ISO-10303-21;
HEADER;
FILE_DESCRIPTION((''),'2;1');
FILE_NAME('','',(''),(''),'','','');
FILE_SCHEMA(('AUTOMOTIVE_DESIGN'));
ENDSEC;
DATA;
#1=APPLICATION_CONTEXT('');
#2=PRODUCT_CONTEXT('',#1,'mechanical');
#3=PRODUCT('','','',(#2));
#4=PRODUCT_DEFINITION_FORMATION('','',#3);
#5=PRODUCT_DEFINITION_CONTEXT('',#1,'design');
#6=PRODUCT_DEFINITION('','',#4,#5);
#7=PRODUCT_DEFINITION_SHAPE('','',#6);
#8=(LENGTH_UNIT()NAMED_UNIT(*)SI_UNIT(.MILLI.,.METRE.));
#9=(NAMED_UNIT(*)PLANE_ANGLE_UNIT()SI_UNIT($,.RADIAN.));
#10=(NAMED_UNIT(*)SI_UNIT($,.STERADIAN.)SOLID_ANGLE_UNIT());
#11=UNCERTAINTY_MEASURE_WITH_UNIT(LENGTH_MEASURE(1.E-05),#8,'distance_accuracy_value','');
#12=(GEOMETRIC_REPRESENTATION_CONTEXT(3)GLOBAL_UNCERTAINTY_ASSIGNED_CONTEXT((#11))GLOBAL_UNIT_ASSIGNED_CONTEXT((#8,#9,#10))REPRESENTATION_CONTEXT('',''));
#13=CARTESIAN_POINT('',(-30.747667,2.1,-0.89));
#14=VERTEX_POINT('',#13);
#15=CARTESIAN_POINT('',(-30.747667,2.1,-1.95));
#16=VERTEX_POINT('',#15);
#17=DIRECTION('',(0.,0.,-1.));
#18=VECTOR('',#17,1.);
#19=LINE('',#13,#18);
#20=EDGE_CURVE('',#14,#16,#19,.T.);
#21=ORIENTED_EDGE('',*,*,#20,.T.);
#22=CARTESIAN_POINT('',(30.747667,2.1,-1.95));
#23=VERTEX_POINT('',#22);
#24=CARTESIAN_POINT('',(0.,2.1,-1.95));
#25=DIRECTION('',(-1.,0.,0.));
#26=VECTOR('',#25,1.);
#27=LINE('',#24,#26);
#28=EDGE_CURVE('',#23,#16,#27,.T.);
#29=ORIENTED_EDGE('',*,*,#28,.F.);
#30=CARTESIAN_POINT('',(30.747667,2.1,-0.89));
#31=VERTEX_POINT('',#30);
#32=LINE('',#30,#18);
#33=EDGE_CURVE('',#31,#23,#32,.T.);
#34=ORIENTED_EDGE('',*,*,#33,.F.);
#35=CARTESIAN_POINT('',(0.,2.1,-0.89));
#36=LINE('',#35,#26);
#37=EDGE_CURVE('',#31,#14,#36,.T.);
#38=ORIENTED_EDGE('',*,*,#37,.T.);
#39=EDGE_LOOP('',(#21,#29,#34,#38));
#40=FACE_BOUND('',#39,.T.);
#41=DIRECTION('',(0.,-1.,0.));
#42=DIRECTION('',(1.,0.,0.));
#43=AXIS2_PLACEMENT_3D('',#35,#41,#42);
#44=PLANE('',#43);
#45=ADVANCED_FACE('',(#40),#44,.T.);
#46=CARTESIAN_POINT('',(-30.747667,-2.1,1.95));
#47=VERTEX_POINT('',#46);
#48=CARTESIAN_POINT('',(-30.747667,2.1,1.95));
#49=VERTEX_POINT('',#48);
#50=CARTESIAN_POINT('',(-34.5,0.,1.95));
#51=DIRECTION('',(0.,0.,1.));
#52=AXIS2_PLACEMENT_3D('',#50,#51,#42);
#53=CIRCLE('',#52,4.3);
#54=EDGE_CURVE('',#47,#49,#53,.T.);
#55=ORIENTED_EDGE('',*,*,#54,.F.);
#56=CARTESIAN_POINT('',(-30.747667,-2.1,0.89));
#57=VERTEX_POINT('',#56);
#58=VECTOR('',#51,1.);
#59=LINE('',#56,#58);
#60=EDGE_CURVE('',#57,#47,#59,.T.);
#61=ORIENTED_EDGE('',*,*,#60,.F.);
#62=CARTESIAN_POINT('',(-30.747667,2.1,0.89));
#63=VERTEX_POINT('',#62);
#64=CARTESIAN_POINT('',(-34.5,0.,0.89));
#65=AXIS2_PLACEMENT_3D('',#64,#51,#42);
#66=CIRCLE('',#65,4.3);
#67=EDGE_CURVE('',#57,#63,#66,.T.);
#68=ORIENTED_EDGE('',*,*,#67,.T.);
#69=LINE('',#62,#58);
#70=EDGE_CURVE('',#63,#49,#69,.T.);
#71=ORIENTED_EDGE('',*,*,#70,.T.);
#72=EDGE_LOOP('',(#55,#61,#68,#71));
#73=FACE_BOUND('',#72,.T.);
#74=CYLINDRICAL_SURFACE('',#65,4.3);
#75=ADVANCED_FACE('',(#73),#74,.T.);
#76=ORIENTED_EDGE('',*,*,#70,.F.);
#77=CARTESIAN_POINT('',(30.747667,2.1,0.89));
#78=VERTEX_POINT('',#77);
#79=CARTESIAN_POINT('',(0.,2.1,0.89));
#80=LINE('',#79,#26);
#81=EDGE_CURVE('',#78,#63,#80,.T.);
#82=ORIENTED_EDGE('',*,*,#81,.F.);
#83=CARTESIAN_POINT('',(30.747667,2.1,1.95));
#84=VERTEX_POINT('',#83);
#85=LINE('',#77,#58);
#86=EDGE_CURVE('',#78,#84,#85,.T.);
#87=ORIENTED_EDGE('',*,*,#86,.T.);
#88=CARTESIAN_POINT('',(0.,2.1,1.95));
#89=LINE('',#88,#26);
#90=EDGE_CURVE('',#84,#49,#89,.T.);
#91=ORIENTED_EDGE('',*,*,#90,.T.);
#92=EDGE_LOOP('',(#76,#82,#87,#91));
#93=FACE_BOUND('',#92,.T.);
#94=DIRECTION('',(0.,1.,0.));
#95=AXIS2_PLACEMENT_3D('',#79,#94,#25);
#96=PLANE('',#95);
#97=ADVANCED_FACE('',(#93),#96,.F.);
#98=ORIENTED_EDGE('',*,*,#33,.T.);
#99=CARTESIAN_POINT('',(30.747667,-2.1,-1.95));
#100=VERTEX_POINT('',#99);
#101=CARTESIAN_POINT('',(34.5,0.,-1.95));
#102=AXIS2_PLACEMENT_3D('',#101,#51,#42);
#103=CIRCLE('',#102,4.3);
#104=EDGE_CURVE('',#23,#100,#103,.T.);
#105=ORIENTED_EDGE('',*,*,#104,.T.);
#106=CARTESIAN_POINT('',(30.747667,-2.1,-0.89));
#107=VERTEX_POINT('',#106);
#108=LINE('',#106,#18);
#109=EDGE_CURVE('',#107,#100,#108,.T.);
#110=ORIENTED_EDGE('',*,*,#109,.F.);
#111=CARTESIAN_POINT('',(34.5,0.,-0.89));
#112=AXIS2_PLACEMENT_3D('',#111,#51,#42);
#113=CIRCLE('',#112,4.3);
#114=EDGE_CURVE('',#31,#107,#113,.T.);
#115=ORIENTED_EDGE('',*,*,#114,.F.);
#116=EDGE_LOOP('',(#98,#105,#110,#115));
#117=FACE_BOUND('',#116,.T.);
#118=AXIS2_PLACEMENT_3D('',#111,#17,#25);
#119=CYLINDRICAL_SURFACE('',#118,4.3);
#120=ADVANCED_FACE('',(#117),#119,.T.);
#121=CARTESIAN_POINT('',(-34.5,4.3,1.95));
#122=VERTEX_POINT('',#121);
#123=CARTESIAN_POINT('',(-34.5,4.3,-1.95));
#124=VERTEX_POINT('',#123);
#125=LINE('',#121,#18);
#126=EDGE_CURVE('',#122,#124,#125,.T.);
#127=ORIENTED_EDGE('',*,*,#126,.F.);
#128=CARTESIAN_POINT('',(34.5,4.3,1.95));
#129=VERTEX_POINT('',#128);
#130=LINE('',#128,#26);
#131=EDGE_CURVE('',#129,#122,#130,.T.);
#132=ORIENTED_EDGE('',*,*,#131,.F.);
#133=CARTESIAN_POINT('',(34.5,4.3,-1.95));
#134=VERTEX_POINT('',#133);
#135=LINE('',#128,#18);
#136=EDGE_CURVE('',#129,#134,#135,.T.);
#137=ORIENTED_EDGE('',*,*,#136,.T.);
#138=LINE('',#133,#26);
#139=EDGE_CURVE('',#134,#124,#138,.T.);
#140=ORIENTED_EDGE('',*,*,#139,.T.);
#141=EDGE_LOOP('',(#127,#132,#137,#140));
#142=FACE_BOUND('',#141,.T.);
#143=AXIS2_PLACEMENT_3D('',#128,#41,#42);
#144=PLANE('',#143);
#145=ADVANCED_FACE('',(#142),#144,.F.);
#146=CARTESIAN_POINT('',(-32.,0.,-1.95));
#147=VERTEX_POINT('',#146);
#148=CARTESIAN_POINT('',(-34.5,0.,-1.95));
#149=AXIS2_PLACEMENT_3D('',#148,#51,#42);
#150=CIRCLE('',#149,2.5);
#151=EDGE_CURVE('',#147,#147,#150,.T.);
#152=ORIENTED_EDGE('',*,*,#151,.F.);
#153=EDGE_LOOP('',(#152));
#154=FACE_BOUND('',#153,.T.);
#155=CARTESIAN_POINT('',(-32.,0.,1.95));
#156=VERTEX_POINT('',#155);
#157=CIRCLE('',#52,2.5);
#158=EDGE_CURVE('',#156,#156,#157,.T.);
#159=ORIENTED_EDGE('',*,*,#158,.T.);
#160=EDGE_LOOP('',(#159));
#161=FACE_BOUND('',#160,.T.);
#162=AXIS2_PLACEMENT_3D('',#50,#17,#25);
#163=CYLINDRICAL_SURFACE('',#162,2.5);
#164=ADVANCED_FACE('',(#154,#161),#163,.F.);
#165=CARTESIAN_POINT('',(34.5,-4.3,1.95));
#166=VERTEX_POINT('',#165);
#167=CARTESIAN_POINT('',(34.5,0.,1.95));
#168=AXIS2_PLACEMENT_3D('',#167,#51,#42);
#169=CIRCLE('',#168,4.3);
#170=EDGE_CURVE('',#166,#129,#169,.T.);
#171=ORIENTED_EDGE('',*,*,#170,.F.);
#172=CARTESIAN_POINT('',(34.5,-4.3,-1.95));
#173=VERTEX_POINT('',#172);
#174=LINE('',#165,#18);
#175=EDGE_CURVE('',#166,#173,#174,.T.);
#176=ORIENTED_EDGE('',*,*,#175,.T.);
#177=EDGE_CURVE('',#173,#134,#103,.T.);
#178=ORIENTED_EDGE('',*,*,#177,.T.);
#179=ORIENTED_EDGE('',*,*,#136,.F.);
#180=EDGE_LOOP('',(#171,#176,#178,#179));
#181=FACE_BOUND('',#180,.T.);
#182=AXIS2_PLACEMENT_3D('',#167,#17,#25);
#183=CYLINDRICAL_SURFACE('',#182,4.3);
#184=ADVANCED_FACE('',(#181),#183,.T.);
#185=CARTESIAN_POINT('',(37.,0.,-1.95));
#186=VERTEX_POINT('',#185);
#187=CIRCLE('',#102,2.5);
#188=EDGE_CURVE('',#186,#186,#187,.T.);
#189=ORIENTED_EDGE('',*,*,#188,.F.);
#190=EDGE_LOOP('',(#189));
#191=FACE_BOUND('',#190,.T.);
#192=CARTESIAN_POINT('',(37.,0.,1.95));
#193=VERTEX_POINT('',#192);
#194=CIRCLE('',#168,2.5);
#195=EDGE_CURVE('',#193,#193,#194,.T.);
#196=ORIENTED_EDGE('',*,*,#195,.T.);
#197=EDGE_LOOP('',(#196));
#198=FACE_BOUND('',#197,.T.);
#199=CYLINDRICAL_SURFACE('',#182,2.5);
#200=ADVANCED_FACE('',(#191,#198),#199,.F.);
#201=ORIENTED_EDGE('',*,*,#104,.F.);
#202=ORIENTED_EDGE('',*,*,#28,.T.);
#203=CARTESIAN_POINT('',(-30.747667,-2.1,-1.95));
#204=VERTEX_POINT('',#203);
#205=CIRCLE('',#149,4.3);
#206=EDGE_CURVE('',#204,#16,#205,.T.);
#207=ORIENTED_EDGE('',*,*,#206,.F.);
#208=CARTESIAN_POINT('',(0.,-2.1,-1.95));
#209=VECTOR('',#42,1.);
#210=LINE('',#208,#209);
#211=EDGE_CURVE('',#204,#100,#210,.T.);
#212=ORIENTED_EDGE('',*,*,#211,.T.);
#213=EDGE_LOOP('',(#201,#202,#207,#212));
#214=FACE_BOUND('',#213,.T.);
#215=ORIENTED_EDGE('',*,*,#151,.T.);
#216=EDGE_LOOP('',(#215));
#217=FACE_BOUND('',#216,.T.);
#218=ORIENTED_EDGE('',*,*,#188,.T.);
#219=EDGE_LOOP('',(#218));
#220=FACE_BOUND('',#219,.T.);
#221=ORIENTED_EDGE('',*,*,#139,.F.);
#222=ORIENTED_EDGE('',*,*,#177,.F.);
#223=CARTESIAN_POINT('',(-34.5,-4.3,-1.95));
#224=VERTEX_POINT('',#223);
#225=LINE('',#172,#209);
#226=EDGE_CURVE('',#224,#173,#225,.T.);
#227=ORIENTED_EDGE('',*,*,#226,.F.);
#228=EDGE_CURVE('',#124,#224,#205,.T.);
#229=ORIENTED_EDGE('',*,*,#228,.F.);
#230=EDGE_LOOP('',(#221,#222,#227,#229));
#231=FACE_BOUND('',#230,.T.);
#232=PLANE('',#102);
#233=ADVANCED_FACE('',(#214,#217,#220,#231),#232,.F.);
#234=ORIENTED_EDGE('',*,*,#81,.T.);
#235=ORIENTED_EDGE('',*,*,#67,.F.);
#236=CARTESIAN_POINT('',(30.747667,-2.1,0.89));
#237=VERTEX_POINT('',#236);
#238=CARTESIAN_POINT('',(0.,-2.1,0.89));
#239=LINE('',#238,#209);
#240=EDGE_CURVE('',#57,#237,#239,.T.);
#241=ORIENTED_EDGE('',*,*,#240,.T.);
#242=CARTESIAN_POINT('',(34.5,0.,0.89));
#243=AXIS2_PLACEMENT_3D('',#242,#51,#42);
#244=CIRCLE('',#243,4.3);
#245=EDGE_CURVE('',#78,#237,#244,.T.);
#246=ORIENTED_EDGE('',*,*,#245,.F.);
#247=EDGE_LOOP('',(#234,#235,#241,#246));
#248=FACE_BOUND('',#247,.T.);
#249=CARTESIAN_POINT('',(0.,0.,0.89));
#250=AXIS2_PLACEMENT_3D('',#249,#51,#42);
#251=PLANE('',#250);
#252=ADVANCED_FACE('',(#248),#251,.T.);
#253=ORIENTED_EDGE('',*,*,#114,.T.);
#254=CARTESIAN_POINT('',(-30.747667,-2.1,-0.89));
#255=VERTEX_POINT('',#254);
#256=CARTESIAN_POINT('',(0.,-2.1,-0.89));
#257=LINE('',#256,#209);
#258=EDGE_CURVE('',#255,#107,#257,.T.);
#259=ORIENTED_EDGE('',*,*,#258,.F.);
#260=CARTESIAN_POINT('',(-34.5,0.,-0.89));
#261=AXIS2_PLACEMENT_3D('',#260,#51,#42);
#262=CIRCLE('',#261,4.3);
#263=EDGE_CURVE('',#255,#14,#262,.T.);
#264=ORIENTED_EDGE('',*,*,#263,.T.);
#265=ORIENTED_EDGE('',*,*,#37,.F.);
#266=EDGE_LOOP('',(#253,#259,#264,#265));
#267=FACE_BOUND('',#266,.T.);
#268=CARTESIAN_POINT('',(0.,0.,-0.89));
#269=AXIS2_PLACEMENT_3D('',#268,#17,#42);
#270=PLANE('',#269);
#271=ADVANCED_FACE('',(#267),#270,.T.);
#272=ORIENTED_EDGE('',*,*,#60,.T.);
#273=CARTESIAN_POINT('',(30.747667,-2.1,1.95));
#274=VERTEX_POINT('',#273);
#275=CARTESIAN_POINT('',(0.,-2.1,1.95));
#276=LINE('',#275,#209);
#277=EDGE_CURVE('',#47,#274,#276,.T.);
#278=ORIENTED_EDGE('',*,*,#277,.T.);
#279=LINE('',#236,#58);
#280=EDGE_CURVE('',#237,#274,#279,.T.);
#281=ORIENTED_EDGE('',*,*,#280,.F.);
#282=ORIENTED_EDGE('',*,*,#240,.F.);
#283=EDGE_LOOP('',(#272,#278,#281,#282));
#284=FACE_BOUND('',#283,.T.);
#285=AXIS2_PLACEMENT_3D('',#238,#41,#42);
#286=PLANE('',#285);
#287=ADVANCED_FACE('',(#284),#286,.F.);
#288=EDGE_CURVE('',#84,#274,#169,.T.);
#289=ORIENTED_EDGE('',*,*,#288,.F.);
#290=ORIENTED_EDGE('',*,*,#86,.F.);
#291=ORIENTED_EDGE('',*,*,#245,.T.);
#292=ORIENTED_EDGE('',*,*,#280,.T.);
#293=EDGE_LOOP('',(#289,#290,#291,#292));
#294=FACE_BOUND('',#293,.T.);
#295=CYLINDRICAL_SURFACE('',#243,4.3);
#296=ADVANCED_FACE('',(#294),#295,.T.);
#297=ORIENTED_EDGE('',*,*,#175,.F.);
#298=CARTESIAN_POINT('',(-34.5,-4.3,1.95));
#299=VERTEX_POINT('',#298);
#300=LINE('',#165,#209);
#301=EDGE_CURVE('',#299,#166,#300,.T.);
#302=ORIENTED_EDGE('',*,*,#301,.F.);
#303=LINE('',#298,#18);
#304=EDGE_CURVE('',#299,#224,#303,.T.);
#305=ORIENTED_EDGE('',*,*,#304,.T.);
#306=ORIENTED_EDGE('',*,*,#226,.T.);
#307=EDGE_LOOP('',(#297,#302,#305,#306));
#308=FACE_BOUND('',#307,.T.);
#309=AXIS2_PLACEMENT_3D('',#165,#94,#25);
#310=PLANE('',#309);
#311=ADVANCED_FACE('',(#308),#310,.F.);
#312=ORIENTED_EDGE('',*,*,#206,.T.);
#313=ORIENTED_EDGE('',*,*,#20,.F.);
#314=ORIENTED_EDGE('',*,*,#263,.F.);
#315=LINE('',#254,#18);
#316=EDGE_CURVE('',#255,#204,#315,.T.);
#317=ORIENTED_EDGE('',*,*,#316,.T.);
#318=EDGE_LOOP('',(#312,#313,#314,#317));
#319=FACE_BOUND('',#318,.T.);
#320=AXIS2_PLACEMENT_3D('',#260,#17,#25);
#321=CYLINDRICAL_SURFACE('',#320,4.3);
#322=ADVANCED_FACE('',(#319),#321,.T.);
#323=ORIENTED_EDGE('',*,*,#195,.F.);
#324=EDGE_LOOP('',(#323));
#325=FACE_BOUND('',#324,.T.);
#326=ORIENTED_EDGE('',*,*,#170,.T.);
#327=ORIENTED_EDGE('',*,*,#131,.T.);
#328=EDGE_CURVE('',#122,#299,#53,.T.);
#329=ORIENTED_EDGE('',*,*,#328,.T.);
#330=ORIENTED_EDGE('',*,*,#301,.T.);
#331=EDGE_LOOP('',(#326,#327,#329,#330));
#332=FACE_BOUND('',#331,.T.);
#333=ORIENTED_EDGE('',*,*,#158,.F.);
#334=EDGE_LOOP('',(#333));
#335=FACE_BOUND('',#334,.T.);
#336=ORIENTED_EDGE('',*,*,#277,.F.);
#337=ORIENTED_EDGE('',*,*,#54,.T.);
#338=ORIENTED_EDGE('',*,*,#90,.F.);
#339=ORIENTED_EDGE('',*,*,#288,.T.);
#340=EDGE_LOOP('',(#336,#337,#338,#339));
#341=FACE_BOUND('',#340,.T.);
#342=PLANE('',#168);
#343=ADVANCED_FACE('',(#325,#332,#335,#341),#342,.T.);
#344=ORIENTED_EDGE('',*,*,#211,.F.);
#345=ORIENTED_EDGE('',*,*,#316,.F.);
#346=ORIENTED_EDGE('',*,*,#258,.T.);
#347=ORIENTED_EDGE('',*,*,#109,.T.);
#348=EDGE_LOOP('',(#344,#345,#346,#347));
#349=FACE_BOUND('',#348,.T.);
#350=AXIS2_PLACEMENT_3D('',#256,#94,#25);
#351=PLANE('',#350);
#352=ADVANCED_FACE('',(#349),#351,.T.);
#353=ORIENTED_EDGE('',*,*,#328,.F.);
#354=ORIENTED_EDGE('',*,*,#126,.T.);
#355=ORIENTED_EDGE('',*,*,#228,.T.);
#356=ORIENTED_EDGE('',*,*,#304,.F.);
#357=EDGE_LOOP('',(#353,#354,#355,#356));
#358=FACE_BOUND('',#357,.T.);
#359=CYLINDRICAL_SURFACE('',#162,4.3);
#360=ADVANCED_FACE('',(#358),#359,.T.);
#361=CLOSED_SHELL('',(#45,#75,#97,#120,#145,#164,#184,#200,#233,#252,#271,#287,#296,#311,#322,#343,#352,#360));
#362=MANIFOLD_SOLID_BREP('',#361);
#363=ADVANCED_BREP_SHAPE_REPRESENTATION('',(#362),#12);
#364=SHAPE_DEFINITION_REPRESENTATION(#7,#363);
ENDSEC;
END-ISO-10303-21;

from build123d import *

# Parameters (mm, degrees)
SKETCH1_R           = 2.5
BOSS_EXTRUDE1_DEPTH = 1.95
CUT_EXTRUDE1_DEPTH  = 1.06


with BuildPart() as part:
    # Sketch1 → Boss-Extrude1 (new, symmetric)
    with BuildSketch(Plane.XY):
        with BuildLine():
            Line((34.5, -4.3), (-34.5, -4.3))
            ThreePointArc((-34.5, -4.3), (-38.8, 0), (-34.5, 4.3))
            Line((-34.5, 4.3), (34.5, 4.3))
            ThreePointArc((34.5, 4.3), (38.8, 0), (34.5, -4.3))
        make_face()
        with Locations((-34.5, 0)):
            Circle(SKETCH1_R, mode=Mode.SUBTRACT)
        with Locations((34.5, 0)):
            Circle(SKETCH1_R, mode=Mode.SUBTRACT)
    extrude(amount=BOSS_EXTRUDE1_DEPTH, both=True)

    # Sketch2 → Cut-Extrude1 (cut)
    with BuildSketch(Plane.XY.offset(1.95)):
        with BuildLine():
            ThreePointArc((30.747667392, -2.1), (30.2, 0), (30.747667392, 2.1))
            Line((30.747667392, 2.1), (-30.747667392, 2.1))
            ThreePointArc((-30.747667392, 2.1), (-30.33916894, 1.08511976), (-30.2, 0))
            ThreePointArc((-30.2, 0), (-30.33916894, -1.08511976), (-30.747667392, -2.1))
            Line((-30.747667392, -2.1), (30.747667392, -2.1))
        make_face()
    cut_extrude1 = extrude(amount=-CUT_EXTRUDE1_DEPTH, mode=Mode.SUBTRACT)

    # Mirror1: Cut-Extrude1 across plane
    add(cut_extrude1.mirror(Plane.XY), mode=Mode.SUBTRACT)


solid = part.part
